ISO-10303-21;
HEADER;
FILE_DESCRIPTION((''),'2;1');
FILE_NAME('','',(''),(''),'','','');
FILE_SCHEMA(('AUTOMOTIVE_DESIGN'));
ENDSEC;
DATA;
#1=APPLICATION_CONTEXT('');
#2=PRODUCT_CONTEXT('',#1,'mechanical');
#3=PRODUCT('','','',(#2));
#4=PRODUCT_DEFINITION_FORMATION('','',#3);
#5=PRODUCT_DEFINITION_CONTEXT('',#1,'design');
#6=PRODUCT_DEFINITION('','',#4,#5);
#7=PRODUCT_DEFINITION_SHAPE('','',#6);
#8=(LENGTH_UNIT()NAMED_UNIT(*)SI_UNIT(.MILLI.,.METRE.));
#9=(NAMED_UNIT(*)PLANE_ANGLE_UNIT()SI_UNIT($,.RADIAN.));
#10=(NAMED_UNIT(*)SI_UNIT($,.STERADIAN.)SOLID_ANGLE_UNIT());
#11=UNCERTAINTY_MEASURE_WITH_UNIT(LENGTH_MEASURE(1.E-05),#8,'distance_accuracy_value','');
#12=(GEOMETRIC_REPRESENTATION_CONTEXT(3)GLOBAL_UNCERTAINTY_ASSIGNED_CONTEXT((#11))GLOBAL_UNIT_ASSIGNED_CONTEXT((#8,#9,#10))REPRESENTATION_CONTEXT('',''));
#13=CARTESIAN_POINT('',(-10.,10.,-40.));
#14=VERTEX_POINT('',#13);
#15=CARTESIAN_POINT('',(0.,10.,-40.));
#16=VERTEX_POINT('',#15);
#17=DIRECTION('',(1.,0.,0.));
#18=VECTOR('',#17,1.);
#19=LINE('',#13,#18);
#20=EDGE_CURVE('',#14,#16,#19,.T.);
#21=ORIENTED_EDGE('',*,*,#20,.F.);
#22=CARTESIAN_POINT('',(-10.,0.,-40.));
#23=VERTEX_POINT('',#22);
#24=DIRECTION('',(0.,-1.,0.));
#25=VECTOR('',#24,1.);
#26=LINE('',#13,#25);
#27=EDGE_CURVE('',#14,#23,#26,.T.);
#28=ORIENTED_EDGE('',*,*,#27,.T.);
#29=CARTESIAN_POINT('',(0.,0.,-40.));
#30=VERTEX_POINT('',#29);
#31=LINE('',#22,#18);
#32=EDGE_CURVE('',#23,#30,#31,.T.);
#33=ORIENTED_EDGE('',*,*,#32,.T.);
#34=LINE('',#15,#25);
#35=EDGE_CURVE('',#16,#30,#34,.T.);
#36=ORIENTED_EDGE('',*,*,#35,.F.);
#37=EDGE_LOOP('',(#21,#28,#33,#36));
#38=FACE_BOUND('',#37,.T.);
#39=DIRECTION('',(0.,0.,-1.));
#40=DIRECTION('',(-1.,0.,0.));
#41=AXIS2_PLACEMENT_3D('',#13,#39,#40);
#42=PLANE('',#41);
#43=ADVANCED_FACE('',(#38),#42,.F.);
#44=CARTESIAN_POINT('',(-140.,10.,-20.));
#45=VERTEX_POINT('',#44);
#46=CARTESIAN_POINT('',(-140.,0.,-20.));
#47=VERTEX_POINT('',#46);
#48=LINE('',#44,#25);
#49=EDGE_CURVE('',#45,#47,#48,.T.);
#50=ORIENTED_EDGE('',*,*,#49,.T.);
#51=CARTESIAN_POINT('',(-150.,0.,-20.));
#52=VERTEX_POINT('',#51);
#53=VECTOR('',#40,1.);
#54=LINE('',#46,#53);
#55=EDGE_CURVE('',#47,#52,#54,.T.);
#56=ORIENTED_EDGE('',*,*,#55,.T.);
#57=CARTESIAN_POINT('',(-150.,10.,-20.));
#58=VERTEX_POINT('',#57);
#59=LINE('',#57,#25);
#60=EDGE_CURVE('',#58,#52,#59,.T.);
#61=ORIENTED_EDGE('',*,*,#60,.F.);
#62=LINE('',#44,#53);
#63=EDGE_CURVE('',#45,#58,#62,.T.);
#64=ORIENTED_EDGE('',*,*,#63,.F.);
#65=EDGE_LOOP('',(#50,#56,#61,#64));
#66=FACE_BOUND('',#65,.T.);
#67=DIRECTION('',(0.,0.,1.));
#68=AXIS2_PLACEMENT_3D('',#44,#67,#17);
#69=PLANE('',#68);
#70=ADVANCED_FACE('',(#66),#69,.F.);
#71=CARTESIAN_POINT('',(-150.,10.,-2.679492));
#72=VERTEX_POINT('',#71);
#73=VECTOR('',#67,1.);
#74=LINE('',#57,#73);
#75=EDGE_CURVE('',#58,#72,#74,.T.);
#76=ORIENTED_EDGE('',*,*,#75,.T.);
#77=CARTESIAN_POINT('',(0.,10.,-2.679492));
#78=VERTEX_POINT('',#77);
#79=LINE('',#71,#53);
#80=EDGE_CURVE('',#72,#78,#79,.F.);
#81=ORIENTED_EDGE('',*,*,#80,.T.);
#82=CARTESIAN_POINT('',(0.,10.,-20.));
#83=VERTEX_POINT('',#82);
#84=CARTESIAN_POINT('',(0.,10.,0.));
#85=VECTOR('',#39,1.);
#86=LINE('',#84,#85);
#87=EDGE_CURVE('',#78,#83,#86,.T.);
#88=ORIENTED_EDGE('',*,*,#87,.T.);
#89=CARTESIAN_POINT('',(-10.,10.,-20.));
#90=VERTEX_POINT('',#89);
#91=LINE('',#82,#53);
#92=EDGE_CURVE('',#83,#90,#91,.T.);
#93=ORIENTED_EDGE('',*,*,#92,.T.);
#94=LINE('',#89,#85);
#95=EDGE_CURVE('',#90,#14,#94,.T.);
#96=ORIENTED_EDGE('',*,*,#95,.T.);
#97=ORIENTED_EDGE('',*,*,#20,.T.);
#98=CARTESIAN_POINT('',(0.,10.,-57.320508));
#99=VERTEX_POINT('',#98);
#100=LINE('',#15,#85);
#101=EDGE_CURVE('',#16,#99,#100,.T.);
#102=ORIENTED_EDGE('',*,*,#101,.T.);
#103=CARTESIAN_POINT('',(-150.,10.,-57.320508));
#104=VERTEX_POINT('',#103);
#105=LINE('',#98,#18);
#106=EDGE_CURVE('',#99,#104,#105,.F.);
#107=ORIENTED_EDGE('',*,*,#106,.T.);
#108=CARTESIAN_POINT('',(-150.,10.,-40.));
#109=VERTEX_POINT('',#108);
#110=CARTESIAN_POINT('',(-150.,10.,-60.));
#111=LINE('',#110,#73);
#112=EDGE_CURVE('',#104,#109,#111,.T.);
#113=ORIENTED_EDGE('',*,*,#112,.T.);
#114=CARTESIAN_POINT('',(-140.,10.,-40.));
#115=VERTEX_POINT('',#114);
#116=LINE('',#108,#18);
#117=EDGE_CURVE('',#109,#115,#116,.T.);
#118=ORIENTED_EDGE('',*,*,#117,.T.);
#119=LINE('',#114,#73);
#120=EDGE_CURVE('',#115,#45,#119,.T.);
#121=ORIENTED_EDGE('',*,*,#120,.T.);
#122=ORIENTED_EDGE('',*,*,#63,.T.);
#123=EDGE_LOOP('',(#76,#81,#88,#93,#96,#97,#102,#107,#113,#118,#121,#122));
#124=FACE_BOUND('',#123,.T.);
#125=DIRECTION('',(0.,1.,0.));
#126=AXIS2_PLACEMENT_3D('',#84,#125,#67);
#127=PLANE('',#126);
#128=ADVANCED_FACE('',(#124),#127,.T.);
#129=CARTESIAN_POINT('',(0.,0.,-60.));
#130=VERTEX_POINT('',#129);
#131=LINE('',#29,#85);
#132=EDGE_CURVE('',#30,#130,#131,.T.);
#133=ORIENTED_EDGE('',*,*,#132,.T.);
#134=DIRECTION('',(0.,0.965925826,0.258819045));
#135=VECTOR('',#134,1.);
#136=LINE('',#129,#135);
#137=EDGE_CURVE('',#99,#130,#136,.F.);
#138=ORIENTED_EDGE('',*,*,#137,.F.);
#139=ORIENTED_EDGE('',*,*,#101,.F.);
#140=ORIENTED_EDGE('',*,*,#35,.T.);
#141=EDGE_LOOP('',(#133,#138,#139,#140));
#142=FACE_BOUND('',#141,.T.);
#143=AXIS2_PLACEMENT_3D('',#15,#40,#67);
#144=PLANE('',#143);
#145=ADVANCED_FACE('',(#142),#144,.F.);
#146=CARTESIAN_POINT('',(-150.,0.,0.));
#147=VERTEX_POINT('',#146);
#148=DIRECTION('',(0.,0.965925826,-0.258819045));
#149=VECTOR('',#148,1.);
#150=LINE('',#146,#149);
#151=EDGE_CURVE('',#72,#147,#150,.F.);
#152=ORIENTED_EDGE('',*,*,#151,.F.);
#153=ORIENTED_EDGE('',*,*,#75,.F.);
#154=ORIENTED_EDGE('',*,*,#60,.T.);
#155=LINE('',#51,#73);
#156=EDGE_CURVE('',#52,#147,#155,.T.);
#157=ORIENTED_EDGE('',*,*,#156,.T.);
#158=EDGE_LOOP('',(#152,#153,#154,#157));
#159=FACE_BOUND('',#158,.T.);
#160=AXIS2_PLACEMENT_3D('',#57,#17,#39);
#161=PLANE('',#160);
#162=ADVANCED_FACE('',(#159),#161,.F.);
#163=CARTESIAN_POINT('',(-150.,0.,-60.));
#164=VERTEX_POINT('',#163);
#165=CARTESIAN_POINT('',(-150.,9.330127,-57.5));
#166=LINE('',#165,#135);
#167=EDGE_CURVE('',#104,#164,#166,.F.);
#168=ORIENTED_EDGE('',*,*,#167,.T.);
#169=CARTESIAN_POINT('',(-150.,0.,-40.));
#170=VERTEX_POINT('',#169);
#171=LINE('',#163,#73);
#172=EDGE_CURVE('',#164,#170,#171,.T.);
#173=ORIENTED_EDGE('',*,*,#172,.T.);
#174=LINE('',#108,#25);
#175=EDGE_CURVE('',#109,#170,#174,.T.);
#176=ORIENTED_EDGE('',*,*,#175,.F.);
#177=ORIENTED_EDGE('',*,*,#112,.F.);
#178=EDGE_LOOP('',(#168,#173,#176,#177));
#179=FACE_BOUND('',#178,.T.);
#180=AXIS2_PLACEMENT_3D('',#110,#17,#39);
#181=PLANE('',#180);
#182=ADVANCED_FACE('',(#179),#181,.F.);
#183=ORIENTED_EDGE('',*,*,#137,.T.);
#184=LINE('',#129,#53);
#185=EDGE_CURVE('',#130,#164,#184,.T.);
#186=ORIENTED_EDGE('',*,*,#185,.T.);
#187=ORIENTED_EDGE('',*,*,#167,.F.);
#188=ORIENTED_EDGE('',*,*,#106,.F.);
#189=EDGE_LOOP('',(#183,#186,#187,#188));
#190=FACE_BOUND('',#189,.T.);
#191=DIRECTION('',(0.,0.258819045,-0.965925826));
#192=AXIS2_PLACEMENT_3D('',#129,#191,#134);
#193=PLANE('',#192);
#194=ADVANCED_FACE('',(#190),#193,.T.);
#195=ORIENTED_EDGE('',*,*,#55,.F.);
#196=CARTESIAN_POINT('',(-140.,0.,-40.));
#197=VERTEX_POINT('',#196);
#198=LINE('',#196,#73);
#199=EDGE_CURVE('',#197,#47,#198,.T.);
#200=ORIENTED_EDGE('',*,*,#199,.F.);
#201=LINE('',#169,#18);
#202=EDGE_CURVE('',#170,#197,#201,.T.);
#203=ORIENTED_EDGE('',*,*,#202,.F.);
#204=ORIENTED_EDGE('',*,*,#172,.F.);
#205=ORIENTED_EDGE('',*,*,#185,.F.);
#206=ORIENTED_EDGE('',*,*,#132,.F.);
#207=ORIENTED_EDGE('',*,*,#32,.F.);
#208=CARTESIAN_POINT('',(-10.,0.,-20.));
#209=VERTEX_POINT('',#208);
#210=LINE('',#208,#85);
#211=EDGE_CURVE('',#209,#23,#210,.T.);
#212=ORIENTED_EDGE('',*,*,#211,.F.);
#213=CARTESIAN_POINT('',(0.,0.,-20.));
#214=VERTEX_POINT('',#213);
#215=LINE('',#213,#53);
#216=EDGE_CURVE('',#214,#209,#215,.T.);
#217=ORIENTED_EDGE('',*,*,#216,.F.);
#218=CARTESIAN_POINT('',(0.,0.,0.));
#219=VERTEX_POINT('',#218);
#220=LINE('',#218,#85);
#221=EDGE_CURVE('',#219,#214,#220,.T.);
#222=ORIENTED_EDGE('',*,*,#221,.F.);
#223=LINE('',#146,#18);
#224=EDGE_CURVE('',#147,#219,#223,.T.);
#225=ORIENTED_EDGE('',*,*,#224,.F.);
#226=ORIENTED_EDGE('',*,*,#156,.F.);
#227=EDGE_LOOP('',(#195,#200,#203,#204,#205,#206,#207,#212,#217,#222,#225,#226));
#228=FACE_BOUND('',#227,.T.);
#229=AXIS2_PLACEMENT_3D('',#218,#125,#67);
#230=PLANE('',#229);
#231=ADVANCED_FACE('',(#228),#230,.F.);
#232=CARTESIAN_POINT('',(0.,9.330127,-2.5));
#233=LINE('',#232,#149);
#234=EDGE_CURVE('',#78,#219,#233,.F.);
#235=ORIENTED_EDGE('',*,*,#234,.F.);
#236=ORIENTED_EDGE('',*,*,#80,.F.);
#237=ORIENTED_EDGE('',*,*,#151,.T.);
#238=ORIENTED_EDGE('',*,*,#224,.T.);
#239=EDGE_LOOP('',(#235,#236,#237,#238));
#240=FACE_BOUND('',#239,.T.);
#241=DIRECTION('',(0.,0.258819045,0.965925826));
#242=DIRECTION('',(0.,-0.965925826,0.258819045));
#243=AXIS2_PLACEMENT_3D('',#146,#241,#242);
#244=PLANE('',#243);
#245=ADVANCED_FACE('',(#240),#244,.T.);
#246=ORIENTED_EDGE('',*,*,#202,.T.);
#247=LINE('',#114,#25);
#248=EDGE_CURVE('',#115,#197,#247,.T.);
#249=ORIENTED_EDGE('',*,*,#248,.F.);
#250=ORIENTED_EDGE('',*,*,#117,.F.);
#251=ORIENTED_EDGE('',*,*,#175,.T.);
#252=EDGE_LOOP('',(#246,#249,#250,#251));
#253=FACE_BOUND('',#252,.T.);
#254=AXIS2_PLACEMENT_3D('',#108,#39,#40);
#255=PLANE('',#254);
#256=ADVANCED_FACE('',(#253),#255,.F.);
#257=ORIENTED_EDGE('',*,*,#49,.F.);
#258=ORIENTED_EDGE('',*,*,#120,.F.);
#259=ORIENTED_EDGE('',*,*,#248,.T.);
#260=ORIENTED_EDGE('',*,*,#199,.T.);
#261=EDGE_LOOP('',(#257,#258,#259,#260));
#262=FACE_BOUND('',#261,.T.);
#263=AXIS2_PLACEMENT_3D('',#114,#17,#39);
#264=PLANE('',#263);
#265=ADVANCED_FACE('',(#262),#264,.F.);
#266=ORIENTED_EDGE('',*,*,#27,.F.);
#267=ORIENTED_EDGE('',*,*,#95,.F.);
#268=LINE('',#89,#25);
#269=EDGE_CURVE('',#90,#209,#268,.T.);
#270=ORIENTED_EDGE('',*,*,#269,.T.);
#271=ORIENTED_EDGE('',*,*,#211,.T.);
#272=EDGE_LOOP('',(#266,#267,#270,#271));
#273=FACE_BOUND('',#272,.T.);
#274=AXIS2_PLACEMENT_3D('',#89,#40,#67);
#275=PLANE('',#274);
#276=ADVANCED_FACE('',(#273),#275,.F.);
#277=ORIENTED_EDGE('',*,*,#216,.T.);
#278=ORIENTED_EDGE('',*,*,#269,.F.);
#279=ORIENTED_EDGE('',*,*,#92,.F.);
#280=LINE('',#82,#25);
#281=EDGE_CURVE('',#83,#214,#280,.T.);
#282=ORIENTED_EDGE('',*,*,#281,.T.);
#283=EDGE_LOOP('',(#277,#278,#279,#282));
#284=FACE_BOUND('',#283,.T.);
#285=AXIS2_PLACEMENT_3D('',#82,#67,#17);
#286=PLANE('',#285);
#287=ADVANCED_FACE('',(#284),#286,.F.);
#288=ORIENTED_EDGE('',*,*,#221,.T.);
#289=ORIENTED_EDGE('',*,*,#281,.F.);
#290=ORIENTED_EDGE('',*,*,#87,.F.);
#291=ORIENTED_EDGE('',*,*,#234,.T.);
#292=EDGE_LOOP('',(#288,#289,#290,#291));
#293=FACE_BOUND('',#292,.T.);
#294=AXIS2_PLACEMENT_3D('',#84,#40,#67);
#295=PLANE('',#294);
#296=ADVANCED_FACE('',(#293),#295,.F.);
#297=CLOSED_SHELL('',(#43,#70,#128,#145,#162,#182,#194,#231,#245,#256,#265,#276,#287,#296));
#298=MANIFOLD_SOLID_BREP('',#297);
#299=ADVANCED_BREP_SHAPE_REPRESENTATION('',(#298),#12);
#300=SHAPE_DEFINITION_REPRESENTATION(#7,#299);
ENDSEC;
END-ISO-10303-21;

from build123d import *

# Parameters (mm, degrees)
BOSS_EXTRUDE1_DEPTH = 10
DRAFT21_ANGLE       = -15
DRAFT22_ANGLE       = -15


with BuildPart() as part:
    # Sketch1 → Boss-Extrude1 (new body)
    with BuildSketch(Plane(origin=(0, 0, 0), x_dir=(1, 0, 0), z_dir=(0, 1, 0))):
        Polygon((0, 0), (0, 20), (-10, 20), (-10, 40), (0, 40), (0, 60), (-150, 60), (-150, 40), (-140, 40), (-140, 20), (-150, 20), (-150, 0), align=None)
    extrude(amount=BOSS_EXTRUDE1_DEPTH)

    # Draft21
    draft21_faces = [part.faces().sort_by_distance(p)[0] for p in [
        (-75, 5, 0),
    ]]
    draft(draft21_faces, Plane(origin=(0, 0, 0), x_dir=(0, 0, -1), z_dir=(0, -1, 0)), DRAFT21_ANGLE)

    # Draft22
    draft22_faces = [part.faces().sort_by_distance(p)[0] for p in [
        (-75, 5, -60),
    ]]
    draft(draft22_faces, Plane(origin=(0, 0, 0), x_dir=(0, 0, -1), z_dir=(0, -1, 0)), DRAFT22_ANGLE)


solid = part.part
